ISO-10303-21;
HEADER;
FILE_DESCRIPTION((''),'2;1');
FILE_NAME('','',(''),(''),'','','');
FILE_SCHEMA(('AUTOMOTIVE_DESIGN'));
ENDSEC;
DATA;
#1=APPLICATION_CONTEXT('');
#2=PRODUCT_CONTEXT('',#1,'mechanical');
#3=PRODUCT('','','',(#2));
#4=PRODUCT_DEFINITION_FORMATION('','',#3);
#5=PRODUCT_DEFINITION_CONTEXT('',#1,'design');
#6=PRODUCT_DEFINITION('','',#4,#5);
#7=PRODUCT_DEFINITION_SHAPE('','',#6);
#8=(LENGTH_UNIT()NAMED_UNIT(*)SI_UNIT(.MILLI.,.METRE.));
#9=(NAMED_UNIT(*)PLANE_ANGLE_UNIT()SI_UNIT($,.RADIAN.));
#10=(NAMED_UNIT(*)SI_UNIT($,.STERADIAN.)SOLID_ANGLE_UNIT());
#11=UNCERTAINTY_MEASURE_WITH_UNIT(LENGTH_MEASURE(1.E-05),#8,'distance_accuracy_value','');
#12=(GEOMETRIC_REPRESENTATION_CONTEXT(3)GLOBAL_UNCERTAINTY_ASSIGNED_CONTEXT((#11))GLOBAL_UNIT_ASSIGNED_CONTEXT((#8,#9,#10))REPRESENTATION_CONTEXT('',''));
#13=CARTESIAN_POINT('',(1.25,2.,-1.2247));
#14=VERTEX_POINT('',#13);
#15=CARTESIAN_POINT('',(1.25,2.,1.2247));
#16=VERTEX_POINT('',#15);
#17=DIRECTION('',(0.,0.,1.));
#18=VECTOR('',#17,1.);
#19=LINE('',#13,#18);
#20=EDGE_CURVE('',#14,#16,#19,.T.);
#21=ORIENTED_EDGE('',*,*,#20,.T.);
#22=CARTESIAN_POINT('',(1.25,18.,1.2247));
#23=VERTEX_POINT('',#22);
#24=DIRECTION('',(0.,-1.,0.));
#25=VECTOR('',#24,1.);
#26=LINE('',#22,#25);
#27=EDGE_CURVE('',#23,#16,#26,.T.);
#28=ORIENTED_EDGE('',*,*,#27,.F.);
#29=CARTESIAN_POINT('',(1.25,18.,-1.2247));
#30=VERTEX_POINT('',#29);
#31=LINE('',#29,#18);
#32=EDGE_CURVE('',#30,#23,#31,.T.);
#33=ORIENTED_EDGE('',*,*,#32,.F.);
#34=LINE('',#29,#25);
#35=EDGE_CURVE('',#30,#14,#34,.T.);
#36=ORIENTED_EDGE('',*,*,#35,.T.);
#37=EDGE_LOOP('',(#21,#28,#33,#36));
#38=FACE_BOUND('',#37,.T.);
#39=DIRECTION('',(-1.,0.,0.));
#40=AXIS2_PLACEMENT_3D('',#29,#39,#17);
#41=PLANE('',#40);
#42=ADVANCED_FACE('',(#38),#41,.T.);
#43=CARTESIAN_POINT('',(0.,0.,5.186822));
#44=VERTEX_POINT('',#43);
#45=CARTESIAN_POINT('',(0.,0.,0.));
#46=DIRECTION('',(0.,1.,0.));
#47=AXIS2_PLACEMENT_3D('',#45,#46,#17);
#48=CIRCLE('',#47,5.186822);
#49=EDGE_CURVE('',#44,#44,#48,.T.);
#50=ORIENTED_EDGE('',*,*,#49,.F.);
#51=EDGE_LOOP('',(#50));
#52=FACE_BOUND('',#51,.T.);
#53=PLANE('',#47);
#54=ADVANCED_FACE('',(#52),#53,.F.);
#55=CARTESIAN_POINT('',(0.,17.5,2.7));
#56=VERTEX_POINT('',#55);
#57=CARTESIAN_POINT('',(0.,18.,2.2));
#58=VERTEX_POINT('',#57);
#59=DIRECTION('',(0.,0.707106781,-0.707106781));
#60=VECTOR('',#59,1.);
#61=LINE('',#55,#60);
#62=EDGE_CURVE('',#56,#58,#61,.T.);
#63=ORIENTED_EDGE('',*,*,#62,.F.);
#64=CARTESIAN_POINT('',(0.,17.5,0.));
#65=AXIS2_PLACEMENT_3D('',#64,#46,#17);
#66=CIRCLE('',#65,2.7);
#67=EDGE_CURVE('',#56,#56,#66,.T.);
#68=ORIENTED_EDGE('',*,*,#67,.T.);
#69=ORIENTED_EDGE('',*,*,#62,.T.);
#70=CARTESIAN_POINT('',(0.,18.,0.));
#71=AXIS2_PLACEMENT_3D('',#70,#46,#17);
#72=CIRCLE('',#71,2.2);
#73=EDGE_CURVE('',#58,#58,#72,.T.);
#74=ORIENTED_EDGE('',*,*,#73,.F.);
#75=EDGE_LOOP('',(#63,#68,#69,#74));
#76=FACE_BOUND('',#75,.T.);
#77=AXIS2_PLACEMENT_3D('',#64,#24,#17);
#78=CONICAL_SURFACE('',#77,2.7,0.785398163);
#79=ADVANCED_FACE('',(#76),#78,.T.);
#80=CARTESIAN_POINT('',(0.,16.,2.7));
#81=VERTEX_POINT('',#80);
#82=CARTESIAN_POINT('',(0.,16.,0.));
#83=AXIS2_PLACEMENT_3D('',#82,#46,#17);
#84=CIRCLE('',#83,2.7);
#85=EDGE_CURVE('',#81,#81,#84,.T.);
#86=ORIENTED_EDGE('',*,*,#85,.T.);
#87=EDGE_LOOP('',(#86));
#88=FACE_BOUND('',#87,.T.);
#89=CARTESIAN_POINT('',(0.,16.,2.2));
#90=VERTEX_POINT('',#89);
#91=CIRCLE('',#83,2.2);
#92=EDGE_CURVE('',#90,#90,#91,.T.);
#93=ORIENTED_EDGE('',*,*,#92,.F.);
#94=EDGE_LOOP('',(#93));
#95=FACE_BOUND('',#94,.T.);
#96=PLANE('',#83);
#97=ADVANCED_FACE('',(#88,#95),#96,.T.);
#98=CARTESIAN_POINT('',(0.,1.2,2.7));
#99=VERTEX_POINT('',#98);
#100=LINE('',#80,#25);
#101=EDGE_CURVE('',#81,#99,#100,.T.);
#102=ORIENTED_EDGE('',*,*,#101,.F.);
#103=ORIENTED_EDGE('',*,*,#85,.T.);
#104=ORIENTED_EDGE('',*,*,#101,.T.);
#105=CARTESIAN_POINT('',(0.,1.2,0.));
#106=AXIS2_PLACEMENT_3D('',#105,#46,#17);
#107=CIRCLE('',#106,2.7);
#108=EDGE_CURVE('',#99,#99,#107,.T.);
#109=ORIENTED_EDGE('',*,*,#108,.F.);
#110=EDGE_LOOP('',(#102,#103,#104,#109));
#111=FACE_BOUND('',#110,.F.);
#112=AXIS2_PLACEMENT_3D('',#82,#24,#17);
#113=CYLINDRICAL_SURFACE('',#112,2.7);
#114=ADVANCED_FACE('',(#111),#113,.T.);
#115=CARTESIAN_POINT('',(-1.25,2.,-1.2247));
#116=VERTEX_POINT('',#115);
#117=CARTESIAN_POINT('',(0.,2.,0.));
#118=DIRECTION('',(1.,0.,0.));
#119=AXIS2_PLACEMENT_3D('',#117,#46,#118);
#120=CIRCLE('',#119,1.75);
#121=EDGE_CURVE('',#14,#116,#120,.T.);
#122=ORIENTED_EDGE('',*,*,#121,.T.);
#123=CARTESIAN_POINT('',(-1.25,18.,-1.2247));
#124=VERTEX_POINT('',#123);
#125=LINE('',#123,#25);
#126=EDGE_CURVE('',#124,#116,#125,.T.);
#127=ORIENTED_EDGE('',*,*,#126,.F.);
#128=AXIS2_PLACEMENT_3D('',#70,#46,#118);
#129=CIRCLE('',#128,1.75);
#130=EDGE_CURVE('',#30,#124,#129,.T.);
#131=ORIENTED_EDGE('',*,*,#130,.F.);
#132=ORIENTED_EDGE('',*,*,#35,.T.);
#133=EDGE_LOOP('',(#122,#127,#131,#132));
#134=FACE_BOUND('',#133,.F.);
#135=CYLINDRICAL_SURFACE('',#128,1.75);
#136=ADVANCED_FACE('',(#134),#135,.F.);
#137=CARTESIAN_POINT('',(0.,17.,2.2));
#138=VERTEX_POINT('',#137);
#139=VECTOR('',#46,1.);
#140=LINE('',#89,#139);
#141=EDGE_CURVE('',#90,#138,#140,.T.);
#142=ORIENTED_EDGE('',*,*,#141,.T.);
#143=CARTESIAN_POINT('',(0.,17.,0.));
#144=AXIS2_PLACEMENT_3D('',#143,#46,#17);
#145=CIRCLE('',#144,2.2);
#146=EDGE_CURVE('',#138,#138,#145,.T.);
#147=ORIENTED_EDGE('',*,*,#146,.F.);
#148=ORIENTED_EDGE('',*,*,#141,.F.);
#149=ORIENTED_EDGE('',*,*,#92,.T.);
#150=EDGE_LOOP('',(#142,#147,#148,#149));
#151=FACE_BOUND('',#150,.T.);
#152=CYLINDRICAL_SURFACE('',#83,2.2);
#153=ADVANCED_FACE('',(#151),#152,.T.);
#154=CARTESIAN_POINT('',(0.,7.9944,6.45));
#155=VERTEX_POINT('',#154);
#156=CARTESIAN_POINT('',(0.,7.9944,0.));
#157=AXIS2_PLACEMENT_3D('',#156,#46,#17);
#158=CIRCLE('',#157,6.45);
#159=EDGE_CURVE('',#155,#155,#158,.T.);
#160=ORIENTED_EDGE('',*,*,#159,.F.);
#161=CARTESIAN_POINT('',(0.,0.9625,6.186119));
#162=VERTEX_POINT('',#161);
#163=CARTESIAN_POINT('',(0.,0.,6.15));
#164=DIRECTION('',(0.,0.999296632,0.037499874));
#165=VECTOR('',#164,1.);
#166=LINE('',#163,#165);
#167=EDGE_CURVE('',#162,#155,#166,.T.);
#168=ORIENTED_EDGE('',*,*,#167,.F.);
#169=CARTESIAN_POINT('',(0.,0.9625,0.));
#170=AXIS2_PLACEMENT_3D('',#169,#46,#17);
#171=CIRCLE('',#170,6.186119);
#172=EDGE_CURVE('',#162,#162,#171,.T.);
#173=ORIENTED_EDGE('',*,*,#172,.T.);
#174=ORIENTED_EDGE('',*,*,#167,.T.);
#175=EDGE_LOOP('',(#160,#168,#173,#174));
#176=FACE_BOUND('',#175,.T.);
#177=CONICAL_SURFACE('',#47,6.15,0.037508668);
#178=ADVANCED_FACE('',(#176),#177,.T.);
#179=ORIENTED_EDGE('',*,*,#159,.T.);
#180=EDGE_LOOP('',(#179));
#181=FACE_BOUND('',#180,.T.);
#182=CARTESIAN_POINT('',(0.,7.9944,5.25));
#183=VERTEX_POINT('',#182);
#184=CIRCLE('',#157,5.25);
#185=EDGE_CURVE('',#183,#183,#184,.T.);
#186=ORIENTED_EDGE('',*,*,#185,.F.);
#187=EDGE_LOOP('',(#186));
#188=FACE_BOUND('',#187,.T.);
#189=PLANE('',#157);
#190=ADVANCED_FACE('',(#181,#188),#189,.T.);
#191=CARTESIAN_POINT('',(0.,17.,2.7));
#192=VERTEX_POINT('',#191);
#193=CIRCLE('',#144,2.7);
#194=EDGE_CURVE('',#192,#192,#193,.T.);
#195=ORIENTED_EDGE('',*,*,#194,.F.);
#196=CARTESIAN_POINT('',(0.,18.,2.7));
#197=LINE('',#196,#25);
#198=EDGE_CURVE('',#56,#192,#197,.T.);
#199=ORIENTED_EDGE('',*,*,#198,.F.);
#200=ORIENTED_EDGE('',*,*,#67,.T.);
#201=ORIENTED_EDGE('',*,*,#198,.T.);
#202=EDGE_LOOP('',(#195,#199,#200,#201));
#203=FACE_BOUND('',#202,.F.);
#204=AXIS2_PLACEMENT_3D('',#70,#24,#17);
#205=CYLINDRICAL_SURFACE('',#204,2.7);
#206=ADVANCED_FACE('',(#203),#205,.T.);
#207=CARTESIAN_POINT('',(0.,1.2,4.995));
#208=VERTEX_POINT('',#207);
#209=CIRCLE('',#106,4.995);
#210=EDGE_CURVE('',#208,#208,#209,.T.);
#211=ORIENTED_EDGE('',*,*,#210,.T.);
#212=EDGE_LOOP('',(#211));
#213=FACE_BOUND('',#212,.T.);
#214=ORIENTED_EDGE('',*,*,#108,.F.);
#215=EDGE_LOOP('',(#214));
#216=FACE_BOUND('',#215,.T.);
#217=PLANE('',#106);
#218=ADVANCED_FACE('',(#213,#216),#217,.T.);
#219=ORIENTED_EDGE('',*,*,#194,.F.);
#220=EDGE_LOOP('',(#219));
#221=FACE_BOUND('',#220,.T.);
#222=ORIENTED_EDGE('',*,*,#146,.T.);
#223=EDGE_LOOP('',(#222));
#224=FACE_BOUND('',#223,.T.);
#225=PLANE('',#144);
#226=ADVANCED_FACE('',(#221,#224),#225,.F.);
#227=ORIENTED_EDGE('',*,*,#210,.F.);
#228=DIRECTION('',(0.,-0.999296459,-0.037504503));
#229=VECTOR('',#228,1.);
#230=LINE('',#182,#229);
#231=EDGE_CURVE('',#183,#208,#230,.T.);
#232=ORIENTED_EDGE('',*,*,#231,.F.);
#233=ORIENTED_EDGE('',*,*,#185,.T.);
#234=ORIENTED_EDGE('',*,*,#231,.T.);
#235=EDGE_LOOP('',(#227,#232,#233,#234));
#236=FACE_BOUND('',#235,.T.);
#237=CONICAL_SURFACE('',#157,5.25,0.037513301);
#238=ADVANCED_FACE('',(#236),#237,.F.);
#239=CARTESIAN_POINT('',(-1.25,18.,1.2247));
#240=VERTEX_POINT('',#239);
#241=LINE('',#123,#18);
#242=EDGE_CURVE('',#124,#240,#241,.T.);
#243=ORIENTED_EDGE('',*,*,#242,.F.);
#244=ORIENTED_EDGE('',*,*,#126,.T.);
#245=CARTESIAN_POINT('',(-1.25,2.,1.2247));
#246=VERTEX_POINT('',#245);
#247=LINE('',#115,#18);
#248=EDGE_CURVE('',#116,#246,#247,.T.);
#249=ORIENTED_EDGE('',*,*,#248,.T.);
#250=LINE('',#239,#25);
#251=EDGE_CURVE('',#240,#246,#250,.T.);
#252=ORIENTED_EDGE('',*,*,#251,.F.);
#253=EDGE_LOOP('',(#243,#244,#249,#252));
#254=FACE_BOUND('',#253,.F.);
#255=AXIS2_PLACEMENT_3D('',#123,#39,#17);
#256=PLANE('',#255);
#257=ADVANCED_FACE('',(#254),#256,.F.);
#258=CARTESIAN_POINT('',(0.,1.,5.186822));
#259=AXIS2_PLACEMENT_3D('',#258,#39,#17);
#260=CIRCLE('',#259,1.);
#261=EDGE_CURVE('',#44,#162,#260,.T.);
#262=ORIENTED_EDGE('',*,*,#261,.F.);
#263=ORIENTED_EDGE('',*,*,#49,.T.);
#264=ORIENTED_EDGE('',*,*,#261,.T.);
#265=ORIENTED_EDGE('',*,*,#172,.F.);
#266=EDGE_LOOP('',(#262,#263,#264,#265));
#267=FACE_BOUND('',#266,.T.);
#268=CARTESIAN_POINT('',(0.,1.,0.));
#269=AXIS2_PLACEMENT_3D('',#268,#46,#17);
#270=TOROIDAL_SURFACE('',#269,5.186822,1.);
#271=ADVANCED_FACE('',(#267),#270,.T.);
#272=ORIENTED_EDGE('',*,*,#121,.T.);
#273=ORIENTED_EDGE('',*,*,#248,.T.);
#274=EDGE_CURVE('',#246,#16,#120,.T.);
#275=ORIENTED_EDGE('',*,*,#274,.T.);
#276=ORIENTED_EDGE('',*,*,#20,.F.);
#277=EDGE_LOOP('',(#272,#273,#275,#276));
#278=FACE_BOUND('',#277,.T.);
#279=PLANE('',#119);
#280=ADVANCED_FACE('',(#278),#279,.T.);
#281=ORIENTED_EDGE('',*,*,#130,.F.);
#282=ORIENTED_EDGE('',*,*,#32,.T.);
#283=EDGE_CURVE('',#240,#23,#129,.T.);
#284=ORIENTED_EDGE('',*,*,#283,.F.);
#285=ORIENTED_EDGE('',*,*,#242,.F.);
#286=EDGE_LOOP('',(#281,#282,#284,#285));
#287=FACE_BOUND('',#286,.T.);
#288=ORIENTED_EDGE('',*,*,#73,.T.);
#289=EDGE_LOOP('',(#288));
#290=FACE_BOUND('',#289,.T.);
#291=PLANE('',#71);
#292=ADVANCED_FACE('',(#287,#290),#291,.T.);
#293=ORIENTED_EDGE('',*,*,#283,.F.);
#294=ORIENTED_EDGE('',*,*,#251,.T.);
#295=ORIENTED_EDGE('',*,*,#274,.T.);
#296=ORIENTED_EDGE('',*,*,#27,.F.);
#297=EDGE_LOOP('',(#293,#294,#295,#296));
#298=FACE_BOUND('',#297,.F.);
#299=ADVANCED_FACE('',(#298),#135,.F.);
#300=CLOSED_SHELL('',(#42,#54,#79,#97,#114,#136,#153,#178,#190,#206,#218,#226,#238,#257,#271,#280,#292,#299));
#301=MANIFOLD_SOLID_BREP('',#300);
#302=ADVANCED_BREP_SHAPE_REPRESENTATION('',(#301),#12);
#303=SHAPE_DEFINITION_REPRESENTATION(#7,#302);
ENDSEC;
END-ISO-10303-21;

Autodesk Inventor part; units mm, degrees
ref_plane "YZ Plane" through (0, 0, 0) normal (1, 0, 0) x (0, 1, 0)
ref_plane "XZ Plane" through (0, 0, 0) normal (0, 1, 0) x (-1, 0, 0)
ref_plane "XY Plane" through (0, 0, 0) normal (0, 0, 1) x (1, 0, 0)
sketch "Эскиз1" plane through (0, 0, 0) normal (1, 0, 0) x (0, 1, 0)
  line L0 (0, 0) -> (35, 0)
  line L1 (0, 0) -> (0, 6.15)
  line L2 (0, 6.15) -> (7.9944, 6.45)
  line L3 (7.9944, 6.45) -> (7.9944, 5.25)
  line L4 (7.9944, 5.25) -> (1.2, 4.995)
  line L5 (1.2, 4.995) -> (1.2, 2.7)
  line L6 (18, 2.7) -> (18, 0)
  line L7 (16, 2.7) -> (16, 2.2)
  line L8 (16, 2.2) -> (17, 2.2)
  line L9 (17, 2.2) -> (17, 2.7)
  line L10 (18, 2.7) -> (17, 2.7)
  line L11 (16, 2.7) -> (1.2, 2.7)
  point P0 (0, 3.075)
  dimension "d0" = 35
  dimension "d1" = 6.15
  dimension "d2" = 8
  dimension "d4" = 18
  dimension "d5" = 2.7
  dimension "d6" = 6.45
  dimension "d7" = 1.2
  dimension "d8" = 1.2
  dimension "d11" = 1
  dimension "d12" = 1
  dimension "d21" = 0.5
  dimension "d22" = 0
revolve "Вращение1" add sketch "Эскиз1" angle 360 about axis through (0, 0, 0) along (0, 1, 0)
fillet "Сопряжение1" radius 1 1 edges at (0, 0, -6.15)
sketch "Эскиз2" plane through (0, 18, 0) normal (0, 1, 0) x (1, 0, 0)
  circle A0 centre (0, 0) radius 1.75
  line L0 (-1.25, 1.2247) -> (-1.25, -1.2247)
  line L1 (1.25, 1.2247) -> (1.25, -1.2247)
  dimension "d13" = 3.5
  dimension "d19" = 1.25
  dimension "d20" = 1.25
extrude "Выдавливание1" cut sketch "Эскиз2" against normal blind 16 contours L1 A0 L0
chamfer "Фаска1" distance 0.5 angle 45 1 edges at (0, 18, -2.7)
properties part number "Кнопка для кухонной плиты (Укороченная)"
